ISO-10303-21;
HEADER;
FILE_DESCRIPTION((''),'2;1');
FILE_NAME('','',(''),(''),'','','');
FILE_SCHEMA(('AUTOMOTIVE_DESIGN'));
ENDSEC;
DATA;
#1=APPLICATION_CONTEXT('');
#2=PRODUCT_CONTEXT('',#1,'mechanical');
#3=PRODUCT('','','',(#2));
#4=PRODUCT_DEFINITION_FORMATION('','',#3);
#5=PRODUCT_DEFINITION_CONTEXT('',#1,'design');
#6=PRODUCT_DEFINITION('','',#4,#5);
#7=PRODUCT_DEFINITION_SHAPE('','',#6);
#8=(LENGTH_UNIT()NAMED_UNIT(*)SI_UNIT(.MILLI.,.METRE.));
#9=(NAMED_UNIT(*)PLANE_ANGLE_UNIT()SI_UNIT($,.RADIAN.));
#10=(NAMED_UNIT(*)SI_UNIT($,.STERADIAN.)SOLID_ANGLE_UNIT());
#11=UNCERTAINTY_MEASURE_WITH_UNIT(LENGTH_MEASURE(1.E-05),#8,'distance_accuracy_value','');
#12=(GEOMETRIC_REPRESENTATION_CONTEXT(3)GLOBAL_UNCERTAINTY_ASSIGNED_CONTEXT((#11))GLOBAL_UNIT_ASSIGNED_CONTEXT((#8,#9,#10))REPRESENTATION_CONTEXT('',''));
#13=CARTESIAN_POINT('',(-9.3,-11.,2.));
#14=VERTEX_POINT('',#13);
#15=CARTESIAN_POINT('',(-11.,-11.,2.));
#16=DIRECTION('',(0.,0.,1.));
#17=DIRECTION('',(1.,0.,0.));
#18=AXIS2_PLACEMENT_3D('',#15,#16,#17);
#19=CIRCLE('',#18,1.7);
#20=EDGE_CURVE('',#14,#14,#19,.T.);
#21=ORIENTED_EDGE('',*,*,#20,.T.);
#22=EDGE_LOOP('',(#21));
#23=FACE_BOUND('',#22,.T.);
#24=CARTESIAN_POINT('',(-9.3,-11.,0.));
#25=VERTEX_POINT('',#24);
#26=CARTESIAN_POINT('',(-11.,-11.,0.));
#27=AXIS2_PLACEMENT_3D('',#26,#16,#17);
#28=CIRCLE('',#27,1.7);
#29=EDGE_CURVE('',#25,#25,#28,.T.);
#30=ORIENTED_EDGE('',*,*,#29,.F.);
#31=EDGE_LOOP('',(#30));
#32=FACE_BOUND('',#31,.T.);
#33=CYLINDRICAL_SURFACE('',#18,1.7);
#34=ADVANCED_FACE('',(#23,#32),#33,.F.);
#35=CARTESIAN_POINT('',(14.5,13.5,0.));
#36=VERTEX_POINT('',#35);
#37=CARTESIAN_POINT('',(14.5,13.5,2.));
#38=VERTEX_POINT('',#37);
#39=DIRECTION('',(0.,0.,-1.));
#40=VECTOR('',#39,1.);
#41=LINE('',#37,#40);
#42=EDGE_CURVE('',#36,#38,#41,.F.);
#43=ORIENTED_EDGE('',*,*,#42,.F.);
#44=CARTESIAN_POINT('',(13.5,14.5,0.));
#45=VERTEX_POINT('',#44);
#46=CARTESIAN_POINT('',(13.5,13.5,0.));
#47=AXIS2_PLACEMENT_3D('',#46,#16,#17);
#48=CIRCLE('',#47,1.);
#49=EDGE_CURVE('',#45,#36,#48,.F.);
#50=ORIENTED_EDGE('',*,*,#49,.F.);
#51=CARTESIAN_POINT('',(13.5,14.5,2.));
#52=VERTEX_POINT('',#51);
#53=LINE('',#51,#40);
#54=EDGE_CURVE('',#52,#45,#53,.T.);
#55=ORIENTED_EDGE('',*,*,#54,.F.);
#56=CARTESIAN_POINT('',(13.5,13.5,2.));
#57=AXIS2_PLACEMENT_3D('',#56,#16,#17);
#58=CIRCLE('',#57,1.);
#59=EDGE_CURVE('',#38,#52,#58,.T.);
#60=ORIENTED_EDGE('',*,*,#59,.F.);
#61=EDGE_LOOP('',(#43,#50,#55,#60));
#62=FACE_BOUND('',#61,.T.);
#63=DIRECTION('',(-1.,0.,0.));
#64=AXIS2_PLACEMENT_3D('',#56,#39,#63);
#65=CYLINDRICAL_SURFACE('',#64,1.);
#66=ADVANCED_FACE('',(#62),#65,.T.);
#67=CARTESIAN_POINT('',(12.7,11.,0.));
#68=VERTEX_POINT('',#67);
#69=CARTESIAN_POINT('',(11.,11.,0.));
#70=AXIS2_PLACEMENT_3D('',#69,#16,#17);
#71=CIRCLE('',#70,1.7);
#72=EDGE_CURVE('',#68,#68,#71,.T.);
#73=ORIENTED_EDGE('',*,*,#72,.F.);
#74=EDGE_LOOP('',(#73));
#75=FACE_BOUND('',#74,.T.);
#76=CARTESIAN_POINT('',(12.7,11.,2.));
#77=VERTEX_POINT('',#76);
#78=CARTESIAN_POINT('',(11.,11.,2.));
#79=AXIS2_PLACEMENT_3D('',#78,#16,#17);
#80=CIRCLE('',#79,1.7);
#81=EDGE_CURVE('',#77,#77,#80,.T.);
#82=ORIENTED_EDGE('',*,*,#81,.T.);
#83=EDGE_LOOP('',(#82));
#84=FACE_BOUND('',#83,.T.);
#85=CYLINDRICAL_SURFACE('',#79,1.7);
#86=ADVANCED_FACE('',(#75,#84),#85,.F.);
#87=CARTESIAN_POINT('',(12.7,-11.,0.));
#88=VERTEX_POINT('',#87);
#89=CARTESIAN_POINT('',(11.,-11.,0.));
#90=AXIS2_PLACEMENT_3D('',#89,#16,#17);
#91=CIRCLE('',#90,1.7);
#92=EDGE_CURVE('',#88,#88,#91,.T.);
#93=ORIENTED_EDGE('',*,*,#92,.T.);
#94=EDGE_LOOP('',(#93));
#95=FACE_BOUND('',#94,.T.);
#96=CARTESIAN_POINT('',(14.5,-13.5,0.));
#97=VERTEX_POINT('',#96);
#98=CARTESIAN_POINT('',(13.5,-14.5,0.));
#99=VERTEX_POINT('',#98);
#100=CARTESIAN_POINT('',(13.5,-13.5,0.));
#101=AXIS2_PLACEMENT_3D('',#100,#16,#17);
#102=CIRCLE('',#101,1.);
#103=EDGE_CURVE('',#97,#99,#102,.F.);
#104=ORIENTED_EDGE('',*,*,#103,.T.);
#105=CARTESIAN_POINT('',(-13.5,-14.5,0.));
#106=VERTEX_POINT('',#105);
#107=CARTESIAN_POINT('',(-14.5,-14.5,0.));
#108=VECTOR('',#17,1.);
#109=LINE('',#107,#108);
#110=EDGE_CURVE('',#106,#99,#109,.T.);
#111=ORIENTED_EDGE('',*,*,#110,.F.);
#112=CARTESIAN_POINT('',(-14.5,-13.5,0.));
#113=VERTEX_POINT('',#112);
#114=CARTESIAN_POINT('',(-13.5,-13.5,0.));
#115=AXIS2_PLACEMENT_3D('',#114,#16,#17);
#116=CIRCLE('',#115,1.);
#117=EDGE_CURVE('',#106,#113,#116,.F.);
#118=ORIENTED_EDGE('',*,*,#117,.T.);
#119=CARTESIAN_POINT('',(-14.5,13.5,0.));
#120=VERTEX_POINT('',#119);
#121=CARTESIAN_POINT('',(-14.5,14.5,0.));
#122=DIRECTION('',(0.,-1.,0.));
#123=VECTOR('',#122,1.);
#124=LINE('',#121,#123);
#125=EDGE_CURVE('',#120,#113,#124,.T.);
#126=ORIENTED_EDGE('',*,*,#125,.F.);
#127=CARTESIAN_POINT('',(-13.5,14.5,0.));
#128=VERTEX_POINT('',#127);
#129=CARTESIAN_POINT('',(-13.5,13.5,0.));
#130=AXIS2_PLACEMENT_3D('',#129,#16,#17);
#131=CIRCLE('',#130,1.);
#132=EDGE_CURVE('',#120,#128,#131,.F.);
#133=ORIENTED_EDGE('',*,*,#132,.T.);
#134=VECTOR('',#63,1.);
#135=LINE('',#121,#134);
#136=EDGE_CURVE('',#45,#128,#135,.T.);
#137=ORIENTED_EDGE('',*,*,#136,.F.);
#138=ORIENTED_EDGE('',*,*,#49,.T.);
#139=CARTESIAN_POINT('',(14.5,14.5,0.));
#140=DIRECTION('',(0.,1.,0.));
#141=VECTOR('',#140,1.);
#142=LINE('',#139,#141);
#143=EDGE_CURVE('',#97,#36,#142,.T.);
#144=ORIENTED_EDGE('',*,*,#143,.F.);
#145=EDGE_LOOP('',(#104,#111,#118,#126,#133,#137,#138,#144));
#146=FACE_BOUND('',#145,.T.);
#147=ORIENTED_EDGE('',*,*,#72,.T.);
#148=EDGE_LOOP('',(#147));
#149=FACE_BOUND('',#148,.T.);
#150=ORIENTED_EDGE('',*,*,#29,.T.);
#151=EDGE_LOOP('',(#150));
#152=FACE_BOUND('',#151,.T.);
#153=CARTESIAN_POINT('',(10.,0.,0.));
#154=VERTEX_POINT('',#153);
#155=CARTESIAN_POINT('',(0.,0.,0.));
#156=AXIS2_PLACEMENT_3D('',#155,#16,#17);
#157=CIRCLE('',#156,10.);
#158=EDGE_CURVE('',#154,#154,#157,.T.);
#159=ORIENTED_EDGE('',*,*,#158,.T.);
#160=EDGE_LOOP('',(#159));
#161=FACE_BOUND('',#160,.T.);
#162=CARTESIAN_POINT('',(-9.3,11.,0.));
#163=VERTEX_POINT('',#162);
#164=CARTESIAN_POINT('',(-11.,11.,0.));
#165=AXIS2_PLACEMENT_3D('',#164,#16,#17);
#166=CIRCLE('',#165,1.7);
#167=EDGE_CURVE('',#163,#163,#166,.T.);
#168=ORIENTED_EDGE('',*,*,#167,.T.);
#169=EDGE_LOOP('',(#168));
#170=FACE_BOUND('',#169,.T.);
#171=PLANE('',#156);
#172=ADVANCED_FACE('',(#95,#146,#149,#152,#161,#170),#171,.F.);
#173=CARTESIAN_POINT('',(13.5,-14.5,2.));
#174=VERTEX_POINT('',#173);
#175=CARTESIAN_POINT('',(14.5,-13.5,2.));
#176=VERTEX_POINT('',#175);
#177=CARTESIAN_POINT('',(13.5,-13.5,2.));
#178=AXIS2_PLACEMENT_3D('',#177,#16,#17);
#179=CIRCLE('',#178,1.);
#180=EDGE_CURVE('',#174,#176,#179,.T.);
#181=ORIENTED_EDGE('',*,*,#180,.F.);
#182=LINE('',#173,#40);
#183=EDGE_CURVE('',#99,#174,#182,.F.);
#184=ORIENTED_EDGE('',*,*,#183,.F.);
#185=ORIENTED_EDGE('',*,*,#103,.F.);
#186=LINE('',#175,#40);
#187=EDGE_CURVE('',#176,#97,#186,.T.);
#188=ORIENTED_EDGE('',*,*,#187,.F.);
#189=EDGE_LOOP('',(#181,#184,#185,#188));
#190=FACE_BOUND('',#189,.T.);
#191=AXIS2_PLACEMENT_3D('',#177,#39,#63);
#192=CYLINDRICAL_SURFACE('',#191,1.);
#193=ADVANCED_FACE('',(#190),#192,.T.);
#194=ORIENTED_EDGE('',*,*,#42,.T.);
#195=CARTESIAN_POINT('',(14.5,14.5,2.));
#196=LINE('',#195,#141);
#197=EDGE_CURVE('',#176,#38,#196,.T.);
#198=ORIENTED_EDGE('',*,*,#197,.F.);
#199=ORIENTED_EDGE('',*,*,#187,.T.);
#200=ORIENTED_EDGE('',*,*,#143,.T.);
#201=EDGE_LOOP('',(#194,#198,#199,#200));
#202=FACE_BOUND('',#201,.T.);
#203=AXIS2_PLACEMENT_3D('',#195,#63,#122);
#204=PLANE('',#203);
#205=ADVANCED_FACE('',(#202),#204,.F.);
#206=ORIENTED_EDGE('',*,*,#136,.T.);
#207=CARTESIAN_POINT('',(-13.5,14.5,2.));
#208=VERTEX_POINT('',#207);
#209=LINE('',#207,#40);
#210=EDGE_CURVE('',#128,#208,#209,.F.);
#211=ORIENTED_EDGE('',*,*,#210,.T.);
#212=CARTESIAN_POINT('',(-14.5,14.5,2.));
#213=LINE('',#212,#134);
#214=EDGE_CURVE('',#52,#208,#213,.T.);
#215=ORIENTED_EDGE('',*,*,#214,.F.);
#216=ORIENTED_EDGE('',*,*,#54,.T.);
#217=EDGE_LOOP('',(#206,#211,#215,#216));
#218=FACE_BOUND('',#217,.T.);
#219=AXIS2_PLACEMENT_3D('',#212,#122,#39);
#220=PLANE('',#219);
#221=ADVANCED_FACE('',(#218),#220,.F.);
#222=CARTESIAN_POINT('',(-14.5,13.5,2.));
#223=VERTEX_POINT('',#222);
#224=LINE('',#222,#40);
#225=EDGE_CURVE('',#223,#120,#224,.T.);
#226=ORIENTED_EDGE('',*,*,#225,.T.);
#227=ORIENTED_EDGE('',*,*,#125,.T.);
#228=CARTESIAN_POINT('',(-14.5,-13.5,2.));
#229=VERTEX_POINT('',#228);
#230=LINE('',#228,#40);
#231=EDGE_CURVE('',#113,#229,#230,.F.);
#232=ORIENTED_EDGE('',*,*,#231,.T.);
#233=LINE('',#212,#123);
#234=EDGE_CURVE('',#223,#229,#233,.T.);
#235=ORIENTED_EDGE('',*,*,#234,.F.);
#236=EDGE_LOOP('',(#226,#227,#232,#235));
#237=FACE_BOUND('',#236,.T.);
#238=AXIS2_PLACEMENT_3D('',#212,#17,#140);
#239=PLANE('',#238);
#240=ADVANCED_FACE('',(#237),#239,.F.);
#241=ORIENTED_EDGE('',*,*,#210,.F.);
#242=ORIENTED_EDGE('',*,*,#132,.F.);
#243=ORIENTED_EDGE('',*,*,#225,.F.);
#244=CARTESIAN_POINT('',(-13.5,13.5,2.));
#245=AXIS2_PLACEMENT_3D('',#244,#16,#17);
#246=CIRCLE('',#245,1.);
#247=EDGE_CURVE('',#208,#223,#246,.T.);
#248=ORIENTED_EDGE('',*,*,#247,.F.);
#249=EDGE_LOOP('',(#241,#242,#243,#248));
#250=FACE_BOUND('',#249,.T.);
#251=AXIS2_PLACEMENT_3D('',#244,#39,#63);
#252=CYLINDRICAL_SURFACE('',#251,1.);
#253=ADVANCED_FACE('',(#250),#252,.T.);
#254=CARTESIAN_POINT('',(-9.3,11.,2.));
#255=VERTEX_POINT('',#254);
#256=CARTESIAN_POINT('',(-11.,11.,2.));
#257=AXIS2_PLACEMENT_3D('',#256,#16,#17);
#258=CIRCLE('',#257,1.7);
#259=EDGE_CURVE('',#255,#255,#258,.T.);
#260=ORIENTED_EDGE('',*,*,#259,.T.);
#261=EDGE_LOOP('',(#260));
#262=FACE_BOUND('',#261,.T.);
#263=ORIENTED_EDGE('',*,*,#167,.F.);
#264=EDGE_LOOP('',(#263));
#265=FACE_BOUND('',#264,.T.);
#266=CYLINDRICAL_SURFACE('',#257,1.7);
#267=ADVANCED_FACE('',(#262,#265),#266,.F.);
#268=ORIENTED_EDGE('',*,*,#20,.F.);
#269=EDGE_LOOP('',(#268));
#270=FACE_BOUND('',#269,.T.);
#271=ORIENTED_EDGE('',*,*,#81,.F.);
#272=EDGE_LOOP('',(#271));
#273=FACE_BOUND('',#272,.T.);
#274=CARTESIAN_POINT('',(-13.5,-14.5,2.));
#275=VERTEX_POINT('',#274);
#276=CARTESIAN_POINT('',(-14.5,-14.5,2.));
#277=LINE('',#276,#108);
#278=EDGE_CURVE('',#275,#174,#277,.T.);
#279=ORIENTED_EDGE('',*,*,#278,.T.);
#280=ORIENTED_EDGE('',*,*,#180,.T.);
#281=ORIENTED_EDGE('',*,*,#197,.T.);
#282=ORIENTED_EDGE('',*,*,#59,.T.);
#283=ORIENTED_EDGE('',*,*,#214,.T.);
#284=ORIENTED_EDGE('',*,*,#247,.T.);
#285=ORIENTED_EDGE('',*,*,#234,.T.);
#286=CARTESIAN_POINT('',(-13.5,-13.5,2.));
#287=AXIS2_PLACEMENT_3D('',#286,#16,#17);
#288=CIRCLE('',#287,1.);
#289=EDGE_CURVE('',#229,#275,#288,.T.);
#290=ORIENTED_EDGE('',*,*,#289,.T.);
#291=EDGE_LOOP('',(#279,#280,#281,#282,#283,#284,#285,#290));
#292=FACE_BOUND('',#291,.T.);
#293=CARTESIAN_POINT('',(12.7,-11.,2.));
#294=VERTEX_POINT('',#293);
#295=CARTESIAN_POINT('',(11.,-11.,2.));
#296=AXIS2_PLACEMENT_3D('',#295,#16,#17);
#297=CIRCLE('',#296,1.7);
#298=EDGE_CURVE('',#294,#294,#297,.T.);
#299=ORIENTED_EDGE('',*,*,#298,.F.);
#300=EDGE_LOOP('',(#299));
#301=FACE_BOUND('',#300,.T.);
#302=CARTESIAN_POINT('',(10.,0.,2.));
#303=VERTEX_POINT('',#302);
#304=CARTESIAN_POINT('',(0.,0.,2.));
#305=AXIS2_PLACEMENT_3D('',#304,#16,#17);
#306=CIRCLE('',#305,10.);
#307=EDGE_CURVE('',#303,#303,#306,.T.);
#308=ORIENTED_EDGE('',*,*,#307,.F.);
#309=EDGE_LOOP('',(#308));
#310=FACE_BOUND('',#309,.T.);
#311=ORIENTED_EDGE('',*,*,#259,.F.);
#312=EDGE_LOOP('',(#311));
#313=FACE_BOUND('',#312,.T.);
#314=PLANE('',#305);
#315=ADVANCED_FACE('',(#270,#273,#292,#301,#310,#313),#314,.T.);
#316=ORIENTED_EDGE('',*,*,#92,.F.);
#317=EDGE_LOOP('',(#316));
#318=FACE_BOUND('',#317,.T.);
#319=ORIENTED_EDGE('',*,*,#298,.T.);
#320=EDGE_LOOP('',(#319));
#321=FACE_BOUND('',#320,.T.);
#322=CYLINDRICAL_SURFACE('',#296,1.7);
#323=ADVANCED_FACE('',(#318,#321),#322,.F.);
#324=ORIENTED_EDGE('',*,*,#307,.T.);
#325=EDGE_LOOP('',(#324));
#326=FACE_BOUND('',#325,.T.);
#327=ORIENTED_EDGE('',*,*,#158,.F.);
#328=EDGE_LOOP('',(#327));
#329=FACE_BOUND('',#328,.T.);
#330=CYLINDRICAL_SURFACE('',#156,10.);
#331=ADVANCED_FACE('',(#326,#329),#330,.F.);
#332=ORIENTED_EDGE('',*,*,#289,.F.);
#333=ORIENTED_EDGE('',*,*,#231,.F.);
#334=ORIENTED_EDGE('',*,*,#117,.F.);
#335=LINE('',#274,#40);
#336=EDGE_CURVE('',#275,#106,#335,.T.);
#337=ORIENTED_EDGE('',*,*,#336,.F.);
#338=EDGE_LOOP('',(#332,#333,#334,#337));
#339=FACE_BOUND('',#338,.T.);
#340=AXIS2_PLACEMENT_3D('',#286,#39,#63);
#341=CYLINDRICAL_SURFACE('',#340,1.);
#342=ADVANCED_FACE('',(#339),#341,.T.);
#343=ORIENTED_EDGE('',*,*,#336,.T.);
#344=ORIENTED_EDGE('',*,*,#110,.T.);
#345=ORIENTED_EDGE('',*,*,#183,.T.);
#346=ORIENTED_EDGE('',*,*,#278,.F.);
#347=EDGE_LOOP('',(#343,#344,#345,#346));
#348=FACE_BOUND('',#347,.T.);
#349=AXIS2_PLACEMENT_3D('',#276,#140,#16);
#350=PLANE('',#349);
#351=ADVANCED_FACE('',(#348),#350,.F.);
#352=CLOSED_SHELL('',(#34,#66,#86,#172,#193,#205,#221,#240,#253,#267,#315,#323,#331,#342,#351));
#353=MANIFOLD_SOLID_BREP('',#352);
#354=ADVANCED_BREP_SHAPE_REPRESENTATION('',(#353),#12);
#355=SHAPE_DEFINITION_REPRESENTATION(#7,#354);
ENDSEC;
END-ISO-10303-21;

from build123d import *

# Parameters (mm, degrees)
SKETCH_1_W             = 29
SKETCH_1_H             = 29
EXTRUDE_1_DEPTH        = 2
FILLET_1_R             = 1
HOLE_WIZARD_M3_1_D     = 3.4
HOLE_WIZARD_M3_1_DEPTH = 7.5
HOLE_WIZARD_M3_1_TIP   = 1.021463052
SKETCH_4_R             = 10
CUT_EXTRUDE_1_DEPTH    = 21.603397778


with BuildPart() as part:
    # 草图1 → 凸台-拉伸1 (new body)
    with BuildSketch(Plane.XY):
        Rectangle(SKETCH_1_W, SKETCH_1_H)
    extrude(amount=EXTRUDE_1_DEPTH)

    # 圆角1
    fillet_1_edges = [part.edges().sort_by_distance(p)[0] for p in [
        (14.5, -14.5, 1),
        (-14.5, -14.5, 1),
        (-14.5, 14.5, 1),
        (14.5, 14.5, 1),
    ]]
    fillet(fillet_1_edges, radius=FILLET_1_R)

    # M3 间隙孔1
    with Locations(Plane.XY.offset(2)):
        with Locations((-11, 11), (11, 11), (-11, -11), (11, -11)):
            Hole(HOLE_WIZARD_M3_1_D / 2, depth=HOLE_WIZARD_M3_1_DEPTH)
            with Locations((0, 0, -(HOLE_WIZARD_M3_1_DEPTH + HOLE_WIZARD_M3_1_TIP / 2))):  # 118° drill point
                Cone(0, HOLE_WIZARD_M3_1_D / 2, HOLE_WIZARD_M3_1_TIP, mode=Mode.SUBTRACT)

    # 草图4 → 切除-拉伸1 (cut, through all)
    with BuildSketch(Plane.XY.offset(2)):
        Circle(SKETCH_4_R)
    extrude(amount=-CUT_EXTRUDE_1_DEPTH, mode=Mode.SUBTRACT)


solid = part.part
